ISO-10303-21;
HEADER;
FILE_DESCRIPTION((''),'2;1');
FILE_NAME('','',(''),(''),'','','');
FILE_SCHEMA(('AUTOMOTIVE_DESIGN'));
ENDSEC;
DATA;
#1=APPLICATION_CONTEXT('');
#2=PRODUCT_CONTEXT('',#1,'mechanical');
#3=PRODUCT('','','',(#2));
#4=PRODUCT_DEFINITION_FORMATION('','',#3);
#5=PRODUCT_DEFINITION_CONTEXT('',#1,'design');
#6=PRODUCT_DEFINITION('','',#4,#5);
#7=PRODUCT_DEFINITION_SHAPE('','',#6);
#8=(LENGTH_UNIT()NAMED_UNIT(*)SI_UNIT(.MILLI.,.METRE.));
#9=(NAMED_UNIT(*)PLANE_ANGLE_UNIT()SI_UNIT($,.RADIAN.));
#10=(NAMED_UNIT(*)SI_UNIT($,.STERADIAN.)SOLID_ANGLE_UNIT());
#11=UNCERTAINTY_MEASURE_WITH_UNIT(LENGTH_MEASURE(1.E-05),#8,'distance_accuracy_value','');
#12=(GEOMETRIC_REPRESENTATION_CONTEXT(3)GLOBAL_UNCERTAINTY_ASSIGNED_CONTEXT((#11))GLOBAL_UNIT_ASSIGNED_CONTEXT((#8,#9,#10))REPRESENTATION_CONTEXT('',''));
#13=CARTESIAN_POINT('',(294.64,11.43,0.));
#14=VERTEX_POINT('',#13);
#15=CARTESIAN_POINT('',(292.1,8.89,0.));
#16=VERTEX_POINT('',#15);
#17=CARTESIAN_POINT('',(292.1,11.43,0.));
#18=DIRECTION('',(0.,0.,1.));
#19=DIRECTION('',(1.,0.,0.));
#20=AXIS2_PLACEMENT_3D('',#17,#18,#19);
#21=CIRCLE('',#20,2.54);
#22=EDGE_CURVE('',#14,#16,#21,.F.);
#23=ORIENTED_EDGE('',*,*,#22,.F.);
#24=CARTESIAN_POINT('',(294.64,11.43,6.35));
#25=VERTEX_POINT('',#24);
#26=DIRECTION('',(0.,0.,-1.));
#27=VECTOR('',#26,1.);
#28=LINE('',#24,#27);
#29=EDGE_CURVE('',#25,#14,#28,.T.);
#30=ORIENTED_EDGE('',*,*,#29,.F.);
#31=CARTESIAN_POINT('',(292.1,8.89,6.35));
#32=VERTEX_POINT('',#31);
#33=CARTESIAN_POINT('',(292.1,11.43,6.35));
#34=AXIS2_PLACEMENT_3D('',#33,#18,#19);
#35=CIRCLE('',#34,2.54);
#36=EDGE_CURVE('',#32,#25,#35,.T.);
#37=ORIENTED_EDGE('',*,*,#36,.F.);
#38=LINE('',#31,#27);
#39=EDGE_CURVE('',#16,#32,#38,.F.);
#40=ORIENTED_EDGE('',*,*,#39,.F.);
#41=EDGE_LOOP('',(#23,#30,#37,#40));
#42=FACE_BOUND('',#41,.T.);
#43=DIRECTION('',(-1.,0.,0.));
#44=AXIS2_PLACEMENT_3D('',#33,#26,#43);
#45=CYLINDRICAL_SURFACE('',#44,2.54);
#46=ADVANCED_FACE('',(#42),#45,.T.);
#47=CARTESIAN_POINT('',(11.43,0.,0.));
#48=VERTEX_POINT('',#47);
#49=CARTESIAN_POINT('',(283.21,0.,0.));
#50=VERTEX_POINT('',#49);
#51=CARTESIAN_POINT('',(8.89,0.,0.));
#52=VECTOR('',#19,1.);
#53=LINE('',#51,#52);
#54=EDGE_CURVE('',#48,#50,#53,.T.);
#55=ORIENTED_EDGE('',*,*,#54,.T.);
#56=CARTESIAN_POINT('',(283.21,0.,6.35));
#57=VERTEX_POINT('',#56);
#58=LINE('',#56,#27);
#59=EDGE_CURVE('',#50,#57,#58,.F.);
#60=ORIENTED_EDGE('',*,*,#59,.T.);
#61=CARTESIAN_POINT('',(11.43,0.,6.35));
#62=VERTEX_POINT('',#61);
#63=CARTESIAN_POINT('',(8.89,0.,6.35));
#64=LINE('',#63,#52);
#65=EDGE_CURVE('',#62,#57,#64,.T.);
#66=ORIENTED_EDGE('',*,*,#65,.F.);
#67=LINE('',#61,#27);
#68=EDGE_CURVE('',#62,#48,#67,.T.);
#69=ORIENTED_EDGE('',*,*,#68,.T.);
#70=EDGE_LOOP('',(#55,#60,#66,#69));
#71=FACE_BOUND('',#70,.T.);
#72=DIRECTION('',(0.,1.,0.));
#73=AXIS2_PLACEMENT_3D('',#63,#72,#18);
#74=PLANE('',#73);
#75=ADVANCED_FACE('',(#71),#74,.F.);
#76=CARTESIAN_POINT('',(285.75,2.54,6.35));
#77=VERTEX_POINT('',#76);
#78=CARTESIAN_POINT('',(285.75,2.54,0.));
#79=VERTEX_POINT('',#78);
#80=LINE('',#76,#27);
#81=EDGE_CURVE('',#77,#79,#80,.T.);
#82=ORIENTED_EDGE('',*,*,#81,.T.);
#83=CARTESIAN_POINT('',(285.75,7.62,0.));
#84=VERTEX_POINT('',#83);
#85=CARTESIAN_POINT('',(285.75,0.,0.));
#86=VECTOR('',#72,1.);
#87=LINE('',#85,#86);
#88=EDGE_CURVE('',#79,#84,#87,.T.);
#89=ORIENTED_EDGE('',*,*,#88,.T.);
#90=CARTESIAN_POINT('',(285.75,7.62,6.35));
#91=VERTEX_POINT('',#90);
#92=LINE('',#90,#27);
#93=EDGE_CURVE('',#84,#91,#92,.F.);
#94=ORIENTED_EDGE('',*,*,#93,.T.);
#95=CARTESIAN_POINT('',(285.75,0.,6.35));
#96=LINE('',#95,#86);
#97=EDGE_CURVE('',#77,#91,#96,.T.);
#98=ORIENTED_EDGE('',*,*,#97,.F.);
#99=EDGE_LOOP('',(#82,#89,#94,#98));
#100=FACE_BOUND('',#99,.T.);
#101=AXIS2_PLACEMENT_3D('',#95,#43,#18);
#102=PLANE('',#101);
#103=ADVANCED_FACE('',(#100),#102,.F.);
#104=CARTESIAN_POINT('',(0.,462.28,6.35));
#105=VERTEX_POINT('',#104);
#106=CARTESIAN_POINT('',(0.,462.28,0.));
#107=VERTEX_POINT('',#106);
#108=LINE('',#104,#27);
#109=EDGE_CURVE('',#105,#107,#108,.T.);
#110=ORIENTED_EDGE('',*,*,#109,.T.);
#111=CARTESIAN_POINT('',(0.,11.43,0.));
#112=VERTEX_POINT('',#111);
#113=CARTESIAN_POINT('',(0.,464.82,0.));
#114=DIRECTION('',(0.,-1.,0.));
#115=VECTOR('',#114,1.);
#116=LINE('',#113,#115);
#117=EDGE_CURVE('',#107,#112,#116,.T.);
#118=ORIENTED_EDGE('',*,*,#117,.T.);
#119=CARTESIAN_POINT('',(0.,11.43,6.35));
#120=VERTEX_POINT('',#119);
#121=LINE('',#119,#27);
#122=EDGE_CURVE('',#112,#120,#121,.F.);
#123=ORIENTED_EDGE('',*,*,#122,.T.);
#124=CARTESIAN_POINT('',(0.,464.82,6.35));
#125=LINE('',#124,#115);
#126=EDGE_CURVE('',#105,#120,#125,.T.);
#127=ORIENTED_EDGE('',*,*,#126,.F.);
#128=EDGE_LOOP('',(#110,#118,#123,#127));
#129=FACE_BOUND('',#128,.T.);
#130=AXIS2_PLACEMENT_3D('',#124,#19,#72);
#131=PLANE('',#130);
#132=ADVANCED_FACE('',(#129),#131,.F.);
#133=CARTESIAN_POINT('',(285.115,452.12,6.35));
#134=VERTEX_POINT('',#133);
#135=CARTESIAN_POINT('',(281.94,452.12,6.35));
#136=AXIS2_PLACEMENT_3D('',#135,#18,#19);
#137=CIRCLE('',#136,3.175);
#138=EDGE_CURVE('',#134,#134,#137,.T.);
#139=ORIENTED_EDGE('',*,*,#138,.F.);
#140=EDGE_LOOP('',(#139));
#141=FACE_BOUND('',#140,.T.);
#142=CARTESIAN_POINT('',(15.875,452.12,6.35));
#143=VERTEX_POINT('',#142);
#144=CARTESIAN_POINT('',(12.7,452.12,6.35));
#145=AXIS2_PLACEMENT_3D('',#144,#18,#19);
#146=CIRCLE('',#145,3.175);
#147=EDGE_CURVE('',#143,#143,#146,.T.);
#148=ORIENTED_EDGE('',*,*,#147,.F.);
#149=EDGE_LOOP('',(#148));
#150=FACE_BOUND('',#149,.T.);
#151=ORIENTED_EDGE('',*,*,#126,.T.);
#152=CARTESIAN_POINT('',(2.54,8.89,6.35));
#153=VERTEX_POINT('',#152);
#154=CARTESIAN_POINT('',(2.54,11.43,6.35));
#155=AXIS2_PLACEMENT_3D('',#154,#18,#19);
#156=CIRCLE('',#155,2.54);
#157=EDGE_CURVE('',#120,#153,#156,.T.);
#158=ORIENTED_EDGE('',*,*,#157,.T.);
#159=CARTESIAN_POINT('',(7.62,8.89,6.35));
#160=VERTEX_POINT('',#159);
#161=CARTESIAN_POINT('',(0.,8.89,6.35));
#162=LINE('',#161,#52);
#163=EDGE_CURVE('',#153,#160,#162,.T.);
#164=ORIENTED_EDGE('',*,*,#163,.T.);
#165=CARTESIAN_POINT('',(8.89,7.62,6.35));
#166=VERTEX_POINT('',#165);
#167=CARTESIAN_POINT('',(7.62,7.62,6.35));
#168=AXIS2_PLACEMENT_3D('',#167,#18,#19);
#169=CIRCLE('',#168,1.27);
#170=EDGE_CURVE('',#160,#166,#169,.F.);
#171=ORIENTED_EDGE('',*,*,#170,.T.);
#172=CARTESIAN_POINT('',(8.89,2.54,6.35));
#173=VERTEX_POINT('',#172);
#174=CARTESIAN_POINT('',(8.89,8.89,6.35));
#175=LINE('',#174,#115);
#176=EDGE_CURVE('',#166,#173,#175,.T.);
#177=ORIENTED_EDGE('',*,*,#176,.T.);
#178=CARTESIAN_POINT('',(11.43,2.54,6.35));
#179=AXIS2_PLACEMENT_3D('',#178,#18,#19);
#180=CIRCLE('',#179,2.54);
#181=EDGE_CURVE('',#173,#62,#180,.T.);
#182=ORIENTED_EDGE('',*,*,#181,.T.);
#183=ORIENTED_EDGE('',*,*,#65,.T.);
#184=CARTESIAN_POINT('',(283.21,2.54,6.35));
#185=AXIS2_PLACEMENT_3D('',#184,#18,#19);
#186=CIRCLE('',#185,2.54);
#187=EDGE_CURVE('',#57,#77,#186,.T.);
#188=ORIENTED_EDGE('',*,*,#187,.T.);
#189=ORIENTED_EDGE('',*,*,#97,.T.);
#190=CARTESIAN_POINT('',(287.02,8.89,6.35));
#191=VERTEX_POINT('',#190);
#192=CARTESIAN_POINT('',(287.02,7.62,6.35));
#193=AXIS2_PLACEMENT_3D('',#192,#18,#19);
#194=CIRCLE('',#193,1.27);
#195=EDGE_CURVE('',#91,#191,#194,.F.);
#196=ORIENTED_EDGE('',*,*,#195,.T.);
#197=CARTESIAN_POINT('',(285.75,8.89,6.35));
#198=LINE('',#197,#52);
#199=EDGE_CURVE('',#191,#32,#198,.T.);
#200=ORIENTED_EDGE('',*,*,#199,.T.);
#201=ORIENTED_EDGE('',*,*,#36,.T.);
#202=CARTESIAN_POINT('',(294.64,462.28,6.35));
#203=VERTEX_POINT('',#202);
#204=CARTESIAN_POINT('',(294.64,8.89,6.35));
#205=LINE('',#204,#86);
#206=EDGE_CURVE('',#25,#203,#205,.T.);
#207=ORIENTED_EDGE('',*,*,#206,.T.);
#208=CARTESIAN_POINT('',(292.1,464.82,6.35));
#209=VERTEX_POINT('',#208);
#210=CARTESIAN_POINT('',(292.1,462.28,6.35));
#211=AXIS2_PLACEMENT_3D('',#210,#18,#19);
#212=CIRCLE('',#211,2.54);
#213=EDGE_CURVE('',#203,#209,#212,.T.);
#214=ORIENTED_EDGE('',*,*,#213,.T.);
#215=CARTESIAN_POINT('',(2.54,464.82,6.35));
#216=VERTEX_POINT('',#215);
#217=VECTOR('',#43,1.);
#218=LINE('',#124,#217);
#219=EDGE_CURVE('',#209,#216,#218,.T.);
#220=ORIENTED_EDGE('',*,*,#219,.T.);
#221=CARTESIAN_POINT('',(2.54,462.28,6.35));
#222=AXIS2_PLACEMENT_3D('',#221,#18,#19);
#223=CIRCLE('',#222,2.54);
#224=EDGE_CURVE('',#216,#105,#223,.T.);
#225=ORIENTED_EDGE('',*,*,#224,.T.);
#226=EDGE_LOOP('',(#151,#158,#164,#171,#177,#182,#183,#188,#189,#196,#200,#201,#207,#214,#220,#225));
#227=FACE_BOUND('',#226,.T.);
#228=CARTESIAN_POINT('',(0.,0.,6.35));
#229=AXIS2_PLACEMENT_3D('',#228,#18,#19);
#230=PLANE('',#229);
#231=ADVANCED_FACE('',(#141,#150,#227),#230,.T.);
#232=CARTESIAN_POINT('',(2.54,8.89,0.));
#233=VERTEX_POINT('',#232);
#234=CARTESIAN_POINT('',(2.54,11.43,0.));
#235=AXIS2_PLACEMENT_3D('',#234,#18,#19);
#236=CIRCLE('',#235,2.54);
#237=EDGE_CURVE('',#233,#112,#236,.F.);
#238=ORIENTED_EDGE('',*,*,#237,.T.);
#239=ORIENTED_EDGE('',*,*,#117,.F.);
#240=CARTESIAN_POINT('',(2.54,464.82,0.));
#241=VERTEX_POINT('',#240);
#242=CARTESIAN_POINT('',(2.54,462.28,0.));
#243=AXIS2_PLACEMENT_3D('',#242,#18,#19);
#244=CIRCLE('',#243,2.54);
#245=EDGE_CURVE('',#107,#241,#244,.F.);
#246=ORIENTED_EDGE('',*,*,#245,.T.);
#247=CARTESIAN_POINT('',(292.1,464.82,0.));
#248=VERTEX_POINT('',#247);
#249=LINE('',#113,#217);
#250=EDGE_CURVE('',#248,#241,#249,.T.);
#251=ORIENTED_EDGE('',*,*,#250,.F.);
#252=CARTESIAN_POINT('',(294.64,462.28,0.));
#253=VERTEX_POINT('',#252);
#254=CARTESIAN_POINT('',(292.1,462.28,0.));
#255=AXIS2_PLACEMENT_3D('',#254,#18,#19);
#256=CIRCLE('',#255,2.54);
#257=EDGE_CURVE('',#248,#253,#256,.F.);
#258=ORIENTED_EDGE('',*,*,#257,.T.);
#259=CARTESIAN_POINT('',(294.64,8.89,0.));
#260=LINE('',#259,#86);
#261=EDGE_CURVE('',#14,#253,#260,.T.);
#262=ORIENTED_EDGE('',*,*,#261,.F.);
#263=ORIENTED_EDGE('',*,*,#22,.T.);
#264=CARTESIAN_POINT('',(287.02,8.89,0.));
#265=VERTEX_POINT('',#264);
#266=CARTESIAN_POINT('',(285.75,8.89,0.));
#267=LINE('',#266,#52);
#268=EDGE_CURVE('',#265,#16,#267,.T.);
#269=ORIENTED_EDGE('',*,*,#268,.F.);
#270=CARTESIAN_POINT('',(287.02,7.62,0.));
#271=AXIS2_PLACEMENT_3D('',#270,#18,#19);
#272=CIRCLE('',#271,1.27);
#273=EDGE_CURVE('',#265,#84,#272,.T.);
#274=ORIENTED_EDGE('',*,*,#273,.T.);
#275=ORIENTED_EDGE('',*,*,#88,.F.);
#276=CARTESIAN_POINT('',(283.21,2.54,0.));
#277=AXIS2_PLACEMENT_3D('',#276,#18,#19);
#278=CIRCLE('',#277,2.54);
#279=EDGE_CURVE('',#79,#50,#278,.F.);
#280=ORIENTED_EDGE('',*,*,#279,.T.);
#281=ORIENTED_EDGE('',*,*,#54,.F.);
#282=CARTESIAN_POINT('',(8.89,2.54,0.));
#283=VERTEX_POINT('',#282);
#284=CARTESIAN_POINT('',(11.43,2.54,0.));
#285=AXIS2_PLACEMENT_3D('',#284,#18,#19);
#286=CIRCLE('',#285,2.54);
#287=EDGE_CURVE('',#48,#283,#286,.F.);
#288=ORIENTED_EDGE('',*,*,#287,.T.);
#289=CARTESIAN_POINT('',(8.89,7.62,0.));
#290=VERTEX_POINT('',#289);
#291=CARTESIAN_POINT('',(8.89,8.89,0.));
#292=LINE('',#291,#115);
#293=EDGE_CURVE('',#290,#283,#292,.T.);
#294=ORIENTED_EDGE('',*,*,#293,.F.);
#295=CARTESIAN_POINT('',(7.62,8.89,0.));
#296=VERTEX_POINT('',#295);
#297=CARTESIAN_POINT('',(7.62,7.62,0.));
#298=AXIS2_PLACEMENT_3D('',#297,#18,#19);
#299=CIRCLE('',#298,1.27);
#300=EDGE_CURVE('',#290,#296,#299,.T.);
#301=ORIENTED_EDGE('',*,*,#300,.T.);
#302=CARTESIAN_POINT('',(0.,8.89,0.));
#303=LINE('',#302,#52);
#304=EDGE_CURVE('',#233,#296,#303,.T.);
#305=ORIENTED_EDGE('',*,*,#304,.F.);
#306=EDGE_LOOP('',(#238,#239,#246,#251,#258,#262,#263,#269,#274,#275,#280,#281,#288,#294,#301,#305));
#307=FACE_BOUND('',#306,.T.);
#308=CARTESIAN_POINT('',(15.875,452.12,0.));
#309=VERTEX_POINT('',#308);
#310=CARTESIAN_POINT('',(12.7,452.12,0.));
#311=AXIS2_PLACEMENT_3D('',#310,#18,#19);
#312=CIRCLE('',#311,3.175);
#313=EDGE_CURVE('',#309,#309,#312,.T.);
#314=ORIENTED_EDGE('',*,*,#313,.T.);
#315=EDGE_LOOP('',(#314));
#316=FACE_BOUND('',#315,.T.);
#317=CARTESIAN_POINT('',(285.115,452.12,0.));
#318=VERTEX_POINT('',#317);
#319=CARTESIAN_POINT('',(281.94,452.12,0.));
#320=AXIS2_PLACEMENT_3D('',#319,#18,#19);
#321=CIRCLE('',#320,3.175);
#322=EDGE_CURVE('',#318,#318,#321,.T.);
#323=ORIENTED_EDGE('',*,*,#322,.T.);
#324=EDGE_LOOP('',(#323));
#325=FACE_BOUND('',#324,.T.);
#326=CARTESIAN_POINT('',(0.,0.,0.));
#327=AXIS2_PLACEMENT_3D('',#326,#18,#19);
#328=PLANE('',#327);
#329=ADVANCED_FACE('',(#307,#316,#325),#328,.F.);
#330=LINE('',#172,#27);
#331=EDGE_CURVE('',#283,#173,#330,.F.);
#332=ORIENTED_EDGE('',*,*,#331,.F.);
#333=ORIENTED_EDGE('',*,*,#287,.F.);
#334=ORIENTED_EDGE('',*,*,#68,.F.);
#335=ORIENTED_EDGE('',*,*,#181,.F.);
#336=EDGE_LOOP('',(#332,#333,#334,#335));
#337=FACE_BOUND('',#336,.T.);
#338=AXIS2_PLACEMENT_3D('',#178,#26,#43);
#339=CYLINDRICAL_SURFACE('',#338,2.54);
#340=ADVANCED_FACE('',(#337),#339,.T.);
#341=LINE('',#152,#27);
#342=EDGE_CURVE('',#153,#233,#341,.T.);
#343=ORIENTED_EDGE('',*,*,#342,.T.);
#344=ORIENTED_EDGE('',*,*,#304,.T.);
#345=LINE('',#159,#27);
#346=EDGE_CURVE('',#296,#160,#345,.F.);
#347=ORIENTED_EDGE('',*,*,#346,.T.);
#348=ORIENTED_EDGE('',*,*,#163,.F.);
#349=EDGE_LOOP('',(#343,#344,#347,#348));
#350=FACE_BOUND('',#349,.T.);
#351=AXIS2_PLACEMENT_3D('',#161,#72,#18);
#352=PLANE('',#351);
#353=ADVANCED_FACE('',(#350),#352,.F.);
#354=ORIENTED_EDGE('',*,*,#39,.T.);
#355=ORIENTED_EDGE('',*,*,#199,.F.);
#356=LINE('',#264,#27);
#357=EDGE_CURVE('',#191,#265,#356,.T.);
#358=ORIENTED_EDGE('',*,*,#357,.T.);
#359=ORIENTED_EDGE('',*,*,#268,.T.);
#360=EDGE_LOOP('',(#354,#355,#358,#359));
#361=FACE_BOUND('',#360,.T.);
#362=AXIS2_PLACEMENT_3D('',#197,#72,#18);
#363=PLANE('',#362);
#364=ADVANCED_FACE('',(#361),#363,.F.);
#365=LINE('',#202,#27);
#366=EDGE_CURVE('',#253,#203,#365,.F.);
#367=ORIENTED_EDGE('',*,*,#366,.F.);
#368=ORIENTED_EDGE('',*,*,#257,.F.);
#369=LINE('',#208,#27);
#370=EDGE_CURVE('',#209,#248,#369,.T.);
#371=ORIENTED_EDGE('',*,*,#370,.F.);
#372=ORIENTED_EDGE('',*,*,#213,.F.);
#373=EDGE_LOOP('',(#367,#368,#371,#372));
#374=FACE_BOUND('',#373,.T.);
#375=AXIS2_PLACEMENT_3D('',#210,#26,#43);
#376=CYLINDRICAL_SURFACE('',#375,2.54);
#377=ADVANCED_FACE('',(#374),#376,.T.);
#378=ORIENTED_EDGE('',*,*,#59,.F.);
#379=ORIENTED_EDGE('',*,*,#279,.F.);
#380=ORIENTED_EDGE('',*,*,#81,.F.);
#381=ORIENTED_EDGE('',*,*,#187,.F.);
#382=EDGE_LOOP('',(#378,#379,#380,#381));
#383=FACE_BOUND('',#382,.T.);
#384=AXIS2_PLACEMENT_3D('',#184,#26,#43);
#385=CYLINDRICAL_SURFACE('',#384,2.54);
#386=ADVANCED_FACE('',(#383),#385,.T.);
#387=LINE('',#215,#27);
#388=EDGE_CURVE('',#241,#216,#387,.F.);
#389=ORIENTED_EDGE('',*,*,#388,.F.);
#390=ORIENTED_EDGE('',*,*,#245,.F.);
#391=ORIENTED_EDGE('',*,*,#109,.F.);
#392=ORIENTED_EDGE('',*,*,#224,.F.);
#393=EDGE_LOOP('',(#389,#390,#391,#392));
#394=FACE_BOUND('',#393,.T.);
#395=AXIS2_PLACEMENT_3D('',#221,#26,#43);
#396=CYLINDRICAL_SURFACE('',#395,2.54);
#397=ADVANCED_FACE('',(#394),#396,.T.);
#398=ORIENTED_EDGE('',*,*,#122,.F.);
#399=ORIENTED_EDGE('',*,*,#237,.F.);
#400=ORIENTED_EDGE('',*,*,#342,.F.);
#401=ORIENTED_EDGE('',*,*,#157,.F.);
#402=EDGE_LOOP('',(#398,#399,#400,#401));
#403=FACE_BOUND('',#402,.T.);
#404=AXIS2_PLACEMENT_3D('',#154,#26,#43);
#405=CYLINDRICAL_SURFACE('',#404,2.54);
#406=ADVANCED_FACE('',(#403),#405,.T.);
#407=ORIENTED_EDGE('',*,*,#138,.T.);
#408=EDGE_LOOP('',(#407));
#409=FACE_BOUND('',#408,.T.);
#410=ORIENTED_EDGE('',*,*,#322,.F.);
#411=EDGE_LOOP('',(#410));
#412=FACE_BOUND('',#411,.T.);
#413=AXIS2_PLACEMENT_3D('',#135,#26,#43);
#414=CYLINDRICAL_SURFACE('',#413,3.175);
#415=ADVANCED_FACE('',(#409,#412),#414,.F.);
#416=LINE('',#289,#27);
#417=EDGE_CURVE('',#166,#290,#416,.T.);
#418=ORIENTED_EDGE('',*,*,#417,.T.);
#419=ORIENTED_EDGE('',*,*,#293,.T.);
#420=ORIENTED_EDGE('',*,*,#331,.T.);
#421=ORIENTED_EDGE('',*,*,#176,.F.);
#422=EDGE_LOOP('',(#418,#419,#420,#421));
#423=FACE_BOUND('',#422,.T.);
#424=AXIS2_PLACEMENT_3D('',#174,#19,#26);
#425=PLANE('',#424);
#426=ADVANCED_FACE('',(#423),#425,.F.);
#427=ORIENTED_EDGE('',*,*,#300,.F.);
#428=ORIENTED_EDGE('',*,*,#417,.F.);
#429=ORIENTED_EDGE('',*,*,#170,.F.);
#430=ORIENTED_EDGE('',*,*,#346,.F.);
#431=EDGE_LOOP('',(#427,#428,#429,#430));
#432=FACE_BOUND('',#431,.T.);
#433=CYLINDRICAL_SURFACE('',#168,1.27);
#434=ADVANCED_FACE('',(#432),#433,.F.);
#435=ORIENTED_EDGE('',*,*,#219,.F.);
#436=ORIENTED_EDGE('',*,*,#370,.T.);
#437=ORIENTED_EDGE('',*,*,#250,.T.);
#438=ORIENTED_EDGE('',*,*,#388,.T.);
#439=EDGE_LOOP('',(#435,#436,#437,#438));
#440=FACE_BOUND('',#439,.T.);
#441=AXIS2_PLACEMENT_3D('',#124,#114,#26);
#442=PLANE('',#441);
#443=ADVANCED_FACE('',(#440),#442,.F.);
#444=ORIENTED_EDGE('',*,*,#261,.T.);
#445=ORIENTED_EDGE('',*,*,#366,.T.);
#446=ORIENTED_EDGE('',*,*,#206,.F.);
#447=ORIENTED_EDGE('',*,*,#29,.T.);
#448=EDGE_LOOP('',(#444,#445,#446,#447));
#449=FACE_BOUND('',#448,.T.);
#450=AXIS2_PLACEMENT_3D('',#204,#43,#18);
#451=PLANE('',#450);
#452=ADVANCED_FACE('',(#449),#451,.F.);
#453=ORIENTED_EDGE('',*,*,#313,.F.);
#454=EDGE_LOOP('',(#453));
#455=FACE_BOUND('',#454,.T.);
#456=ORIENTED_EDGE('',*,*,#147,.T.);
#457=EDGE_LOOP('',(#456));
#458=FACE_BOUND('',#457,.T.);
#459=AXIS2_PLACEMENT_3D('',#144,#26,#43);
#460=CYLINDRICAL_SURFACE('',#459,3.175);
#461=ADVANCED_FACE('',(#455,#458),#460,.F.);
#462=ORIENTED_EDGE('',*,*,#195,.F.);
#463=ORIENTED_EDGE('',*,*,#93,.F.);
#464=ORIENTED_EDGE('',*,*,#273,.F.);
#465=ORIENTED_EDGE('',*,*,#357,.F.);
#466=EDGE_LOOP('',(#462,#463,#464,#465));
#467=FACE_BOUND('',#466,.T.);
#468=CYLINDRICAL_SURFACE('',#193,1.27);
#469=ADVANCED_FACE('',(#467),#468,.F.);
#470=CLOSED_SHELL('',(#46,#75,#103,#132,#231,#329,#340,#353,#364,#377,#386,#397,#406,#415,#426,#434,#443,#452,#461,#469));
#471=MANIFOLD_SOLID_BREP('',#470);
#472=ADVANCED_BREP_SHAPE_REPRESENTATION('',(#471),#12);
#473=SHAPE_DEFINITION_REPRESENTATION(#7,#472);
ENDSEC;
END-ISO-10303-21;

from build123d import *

# Parameters (mm, degrees)
SKETCH1_R           = 3.175
BOSS_EXTRUDE1_DEPTH = 6.35
FILLET1_R           = 1.27
FILLET2_R           = 2.54


with BuildPart() as part:
    # Sketch1 → Boss-Extrude1 (new body)
    with BuildSketch(Plane.XY):
        Polygon((0, 464.82), (294.64, 464.82), (294.64, 8.89), (285.75, 8.89), (285.75, 0), (8.89, 0), (8.89, 8.89), (0, 8.89), align=None)
        with Locations((12.7, 452.12)):
            Circle(SKETCH1_R, mode=Mode.SUBTRACT)
        with Locations((281.94, 452.12)):
            Circle(SKETCH1_R, mode=Mode.SUBTRACT)
    extrude(amount=BOSS_EXTRUDE1_DEPTH)

    # Fillet1
    fillet1_edges = [part.edges().sort_by_distance(p)[0] for p in [
        (285.75, 8.89, 3.175),
        (8.89, 8.89, 3.175),
    ]]
    fillet(fillet1_edges, radius=FILLET1_R)

    # Fillet2
    fillet2_edges = [part.edges().sort_by_distance(p)[0] for p in [
        (0, 464.82, 3.175),
        (294.64, 464.82, 3.175),
        (294.64, 8.89, 3.175),
        (285.75, 0, 3.175),
        (8.89, 0, 3.175),
        (0, 8.89, 3.175),
    ]]
    fillet(fillet2_edges, radius=FILLET2_R)


solid = part.part
